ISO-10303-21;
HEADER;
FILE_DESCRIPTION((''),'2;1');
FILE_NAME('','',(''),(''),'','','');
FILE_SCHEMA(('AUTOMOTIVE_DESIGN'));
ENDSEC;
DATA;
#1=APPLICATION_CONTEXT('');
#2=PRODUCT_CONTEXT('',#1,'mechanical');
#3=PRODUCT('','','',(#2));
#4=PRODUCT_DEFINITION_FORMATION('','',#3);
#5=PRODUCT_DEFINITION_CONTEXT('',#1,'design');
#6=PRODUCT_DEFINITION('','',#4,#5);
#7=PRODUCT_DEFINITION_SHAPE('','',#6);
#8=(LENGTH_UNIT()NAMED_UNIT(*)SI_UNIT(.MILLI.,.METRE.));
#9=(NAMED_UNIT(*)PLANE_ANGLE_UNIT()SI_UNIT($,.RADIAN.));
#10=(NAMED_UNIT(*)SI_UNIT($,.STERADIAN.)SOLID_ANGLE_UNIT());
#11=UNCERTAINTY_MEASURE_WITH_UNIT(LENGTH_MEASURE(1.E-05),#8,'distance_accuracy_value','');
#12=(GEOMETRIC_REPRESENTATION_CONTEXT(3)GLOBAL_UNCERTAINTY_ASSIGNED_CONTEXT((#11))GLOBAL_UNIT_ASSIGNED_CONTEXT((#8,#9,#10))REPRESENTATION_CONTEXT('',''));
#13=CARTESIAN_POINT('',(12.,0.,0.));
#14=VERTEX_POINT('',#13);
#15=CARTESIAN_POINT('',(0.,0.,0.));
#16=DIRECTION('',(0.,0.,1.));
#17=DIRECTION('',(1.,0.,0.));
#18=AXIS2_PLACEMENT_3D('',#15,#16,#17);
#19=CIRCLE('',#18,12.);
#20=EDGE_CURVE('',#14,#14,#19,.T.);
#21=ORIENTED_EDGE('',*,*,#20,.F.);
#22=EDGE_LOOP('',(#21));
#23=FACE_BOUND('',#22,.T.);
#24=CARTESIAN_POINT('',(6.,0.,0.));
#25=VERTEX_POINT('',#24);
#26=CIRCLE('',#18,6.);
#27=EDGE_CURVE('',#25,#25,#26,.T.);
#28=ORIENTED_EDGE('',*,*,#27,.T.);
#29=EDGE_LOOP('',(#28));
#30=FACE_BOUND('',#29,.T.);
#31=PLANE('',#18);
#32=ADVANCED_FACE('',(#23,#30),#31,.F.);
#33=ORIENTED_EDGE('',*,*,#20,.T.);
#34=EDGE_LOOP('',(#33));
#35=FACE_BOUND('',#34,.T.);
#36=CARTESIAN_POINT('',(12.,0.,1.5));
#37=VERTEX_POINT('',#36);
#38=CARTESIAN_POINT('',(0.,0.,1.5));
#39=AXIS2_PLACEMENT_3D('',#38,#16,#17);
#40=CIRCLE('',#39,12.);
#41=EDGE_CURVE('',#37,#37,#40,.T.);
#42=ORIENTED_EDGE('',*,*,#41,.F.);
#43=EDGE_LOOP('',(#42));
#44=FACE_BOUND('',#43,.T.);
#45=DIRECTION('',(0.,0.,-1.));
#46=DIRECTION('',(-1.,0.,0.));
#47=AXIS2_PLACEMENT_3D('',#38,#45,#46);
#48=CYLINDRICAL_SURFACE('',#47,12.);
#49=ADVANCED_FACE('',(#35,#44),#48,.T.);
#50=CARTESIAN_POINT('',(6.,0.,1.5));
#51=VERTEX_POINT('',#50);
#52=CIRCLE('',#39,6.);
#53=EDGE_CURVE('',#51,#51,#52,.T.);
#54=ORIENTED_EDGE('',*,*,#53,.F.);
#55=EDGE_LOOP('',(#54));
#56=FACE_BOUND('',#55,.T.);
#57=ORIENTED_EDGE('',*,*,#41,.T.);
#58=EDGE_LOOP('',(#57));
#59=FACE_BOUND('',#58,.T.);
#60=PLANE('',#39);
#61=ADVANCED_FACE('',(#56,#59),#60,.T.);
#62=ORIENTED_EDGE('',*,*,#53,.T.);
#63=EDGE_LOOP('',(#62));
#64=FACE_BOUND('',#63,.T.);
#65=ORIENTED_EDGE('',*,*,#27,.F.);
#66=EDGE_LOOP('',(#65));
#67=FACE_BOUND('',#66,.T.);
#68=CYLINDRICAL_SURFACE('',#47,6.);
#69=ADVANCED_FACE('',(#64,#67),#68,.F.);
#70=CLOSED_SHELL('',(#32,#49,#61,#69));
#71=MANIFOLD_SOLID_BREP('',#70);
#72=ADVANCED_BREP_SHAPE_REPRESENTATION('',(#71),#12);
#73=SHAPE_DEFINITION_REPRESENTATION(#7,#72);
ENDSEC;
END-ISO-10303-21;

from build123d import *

# Parameters (mm, degrees)
SZKIC1_R                    = 12
SZKIC1_R_2                  = 6
DODANIE_WYCI_GNI_CIE1_DEPTH = 1.5


with BuildPart() as part:
    # Szkic1 → Dodanie-wyciągnięcie1 (new body)
    with BuildSketch(Plane.XY):
        Circle(SZKIC1_R)
        Circle(SZKIC1_R_2, mode=Mode.SUBTRACT)
    extrude(amount=DODANIE_WYCI_GNI_CIE1_DEPTH)


solid = part.part
